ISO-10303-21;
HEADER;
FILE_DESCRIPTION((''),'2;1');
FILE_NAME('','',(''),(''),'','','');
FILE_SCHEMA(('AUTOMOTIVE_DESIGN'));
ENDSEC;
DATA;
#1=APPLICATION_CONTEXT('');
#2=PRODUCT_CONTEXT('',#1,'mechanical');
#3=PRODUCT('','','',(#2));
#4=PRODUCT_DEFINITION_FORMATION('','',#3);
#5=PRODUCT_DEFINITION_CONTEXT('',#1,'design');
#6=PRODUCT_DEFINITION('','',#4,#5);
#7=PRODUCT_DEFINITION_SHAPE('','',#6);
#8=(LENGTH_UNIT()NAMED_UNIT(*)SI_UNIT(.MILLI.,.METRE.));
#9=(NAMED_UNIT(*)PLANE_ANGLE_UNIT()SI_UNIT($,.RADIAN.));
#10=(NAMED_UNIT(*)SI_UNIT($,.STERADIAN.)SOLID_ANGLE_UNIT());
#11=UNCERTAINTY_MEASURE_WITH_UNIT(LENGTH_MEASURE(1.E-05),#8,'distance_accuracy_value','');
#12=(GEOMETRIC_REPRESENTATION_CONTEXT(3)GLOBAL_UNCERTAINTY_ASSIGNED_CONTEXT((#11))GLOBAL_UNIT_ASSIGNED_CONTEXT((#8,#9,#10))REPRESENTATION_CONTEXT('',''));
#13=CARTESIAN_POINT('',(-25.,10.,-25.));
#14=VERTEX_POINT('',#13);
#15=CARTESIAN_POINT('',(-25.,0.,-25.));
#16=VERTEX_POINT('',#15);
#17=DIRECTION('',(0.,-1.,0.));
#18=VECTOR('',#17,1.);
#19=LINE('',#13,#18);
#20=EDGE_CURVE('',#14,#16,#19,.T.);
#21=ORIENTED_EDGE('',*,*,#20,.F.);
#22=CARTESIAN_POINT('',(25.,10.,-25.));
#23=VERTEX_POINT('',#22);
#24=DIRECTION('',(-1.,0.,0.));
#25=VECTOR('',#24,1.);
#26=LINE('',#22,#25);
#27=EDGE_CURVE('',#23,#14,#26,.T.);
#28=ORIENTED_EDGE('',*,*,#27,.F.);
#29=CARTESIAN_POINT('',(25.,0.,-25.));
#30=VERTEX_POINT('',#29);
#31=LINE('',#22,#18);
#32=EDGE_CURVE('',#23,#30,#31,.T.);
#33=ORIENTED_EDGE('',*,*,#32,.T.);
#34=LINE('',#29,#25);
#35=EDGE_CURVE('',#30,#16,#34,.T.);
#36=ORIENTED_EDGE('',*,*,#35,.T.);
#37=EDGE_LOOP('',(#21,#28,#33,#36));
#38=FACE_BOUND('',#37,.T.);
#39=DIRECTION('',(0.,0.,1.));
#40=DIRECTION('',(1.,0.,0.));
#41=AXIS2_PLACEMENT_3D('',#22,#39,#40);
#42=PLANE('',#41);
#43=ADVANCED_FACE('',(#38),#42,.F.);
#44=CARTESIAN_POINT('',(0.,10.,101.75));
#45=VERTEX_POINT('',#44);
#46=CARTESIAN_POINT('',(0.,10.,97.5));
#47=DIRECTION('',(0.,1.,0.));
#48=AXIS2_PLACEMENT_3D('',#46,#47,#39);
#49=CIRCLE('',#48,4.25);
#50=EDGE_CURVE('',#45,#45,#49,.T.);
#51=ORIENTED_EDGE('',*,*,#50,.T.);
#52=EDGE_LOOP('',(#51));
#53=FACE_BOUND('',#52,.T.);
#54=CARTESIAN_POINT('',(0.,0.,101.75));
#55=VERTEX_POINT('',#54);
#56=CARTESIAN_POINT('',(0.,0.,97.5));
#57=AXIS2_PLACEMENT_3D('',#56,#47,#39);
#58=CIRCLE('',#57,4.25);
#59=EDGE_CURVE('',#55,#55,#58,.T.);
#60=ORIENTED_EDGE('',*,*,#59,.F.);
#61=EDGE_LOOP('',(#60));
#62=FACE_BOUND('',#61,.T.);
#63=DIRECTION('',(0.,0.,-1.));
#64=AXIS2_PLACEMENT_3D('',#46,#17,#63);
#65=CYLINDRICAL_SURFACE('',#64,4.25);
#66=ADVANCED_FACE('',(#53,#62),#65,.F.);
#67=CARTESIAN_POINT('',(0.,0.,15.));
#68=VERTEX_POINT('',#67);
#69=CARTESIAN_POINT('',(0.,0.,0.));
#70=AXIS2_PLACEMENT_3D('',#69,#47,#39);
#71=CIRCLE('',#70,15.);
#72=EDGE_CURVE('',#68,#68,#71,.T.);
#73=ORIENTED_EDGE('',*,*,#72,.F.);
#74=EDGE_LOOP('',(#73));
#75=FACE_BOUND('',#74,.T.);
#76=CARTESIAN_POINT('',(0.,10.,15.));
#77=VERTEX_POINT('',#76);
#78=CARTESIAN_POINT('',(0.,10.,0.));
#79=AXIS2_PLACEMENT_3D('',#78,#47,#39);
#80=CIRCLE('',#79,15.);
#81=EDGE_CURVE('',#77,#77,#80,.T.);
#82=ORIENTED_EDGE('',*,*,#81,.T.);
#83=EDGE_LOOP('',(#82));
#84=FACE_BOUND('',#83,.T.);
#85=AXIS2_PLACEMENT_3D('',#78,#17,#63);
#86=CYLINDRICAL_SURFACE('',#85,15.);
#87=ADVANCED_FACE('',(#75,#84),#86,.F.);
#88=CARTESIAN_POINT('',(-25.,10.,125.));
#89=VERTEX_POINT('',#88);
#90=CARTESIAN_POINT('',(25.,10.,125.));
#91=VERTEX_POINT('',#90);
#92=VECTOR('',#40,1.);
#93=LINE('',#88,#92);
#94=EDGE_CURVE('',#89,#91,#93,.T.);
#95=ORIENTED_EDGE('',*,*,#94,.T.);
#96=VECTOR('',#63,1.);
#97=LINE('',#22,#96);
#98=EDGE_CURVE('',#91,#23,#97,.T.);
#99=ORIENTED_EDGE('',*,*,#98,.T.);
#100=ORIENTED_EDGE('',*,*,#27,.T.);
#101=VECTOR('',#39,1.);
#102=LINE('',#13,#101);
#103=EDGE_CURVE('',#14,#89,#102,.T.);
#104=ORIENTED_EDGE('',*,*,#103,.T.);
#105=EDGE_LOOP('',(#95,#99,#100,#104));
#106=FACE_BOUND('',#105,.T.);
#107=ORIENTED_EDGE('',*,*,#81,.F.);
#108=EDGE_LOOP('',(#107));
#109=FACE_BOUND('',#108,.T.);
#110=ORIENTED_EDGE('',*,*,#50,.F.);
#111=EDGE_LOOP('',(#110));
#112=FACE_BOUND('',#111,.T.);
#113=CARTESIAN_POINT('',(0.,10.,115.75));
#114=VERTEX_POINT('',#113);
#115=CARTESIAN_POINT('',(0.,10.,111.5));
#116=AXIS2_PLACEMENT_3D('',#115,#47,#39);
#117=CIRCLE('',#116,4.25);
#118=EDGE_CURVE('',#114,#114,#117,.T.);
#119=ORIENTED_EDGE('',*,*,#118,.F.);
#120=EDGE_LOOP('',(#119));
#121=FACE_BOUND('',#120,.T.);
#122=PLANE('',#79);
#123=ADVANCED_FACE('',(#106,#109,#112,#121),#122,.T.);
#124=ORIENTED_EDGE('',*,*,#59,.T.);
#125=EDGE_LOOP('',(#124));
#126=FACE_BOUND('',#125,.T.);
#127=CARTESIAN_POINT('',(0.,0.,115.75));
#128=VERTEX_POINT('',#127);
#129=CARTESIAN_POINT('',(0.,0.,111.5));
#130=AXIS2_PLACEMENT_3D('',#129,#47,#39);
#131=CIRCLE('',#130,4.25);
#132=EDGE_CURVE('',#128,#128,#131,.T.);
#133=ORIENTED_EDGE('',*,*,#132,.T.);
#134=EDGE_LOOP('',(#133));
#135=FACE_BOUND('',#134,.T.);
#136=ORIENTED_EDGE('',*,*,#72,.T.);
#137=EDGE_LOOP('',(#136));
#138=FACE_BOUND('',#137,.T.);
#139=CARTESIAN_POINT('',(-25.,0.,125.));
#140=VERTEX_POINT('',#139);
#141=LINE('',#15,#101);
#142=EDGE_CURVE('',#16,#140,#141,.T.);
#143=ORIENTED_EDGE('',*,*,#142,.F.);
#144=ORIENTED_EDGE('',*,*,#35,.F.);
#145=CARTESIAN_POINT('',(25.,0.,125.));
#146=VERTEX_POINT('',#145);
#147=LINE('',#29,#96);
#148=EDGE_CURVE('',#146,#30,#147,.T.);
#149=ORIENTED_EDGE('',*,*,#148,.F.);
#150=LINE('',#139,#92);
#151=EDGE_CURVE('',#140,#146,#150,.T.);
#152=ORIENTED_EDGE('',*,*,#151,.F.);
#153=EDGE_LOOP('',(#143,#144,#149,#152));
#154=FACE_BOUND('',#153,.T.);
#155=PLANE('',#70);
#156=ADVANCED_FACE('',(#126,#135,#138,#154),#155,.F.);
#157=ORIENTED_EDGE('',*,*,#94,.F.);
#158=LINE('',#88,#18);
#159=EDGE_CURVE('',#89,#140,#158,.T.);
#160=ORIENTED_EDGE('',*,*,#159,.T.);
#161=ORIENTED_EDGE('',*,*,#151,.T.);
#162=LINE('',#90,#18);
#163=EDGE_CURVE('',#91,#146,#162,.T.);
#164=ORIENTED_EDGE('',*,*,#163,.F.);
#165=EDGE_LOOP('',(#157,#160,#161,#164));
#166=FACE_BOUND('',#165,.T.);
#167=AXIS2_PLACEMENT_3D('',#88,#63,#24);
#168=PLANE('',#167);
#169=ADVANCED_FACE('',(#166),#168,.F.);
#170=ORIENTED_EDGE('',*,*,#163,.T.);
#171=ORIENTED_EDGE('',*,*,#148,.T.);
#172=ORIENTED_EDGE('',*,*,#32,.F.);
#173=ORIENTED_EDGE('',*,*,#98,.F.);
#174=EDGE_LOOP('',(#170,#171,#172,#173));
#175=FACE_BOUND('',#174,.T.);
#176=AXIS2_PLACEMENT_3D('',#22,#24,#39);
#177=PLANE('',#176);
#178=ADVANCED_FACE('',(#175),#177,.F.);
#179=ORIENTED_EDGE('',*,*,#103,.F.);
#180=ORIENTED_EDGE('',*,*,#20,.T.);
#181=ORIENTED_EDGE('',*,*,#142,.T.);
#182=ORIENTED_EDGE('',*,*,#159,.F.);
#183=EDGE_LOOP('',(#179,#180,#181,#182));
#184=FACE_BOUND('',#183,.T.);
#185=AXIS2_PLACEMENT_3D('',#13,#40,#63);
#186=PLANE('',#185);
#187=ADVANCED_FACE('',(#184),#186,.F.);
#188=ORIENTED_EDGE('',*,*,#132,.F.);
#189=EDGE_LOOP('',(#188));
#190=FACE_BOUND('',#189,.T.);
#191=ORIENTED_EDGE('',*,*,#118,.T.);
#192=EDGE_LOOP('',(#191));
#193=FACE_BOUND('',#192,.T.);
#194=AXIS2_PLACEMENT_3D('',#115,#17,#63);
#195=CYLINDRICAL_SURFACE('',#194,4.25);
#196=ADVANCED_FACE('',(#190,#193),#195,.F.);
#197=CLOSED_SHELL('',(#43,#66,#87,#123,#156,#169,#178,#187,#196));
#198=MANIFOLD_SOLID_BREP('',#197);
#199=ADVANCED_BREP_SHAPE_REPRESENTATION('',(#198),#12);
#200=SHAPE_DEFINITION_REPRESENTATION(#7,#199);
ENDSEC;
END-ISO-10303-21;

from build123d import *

# Parameters (mm, degrees)
SKETCH1_W           = 50
SKETCH1_H           = 150
SKETCH1_R           = 15
BOSS_EXTRUDE1_DEPTH = 10
SKETCH2_R           = 4.25
CUT_EXTRUDE1_DEPTH  = 10


with BuildPart() as part:
    # Sketch1 → Boss-Extrude1 (new body)
    with BuildSketch(Plane(origin=(0, 0, 0), x_dir=(1, 0, 0), z_dir=(0, 1, 0))):
        with Locations((0, -50)):
            Rectangle(SKETCH1_W, SKETCH1_H)
        with Locations(Location((0, 0, 0), (0, 0, 270))):
            Circle(SKETCH1_R, mode=Mode.SUBTRACT)
    extrude(amount=BOSS_EXTRUDE1_DEPTH)

    # Sketch2 → Cut-Extrude1 (cut)
    with BuildSketch(Plane(origin=(0, 0, 0), x_dir=(1, 0, 0), z_dir=(0, 1, 0))):
        with Locations(Location((0, -111.5, 0), (0, 0, 270))):
            Circle(SKETCH2_R)
        with Locations(Location((0, -97.5, 0), (0, 0, 270))):
            Circle(SKETCH2_R)
    extrude(amount=CUT_EXTRUDE1_DEPTH, mode=Mode.SUBTRACT)


solid = part.part
